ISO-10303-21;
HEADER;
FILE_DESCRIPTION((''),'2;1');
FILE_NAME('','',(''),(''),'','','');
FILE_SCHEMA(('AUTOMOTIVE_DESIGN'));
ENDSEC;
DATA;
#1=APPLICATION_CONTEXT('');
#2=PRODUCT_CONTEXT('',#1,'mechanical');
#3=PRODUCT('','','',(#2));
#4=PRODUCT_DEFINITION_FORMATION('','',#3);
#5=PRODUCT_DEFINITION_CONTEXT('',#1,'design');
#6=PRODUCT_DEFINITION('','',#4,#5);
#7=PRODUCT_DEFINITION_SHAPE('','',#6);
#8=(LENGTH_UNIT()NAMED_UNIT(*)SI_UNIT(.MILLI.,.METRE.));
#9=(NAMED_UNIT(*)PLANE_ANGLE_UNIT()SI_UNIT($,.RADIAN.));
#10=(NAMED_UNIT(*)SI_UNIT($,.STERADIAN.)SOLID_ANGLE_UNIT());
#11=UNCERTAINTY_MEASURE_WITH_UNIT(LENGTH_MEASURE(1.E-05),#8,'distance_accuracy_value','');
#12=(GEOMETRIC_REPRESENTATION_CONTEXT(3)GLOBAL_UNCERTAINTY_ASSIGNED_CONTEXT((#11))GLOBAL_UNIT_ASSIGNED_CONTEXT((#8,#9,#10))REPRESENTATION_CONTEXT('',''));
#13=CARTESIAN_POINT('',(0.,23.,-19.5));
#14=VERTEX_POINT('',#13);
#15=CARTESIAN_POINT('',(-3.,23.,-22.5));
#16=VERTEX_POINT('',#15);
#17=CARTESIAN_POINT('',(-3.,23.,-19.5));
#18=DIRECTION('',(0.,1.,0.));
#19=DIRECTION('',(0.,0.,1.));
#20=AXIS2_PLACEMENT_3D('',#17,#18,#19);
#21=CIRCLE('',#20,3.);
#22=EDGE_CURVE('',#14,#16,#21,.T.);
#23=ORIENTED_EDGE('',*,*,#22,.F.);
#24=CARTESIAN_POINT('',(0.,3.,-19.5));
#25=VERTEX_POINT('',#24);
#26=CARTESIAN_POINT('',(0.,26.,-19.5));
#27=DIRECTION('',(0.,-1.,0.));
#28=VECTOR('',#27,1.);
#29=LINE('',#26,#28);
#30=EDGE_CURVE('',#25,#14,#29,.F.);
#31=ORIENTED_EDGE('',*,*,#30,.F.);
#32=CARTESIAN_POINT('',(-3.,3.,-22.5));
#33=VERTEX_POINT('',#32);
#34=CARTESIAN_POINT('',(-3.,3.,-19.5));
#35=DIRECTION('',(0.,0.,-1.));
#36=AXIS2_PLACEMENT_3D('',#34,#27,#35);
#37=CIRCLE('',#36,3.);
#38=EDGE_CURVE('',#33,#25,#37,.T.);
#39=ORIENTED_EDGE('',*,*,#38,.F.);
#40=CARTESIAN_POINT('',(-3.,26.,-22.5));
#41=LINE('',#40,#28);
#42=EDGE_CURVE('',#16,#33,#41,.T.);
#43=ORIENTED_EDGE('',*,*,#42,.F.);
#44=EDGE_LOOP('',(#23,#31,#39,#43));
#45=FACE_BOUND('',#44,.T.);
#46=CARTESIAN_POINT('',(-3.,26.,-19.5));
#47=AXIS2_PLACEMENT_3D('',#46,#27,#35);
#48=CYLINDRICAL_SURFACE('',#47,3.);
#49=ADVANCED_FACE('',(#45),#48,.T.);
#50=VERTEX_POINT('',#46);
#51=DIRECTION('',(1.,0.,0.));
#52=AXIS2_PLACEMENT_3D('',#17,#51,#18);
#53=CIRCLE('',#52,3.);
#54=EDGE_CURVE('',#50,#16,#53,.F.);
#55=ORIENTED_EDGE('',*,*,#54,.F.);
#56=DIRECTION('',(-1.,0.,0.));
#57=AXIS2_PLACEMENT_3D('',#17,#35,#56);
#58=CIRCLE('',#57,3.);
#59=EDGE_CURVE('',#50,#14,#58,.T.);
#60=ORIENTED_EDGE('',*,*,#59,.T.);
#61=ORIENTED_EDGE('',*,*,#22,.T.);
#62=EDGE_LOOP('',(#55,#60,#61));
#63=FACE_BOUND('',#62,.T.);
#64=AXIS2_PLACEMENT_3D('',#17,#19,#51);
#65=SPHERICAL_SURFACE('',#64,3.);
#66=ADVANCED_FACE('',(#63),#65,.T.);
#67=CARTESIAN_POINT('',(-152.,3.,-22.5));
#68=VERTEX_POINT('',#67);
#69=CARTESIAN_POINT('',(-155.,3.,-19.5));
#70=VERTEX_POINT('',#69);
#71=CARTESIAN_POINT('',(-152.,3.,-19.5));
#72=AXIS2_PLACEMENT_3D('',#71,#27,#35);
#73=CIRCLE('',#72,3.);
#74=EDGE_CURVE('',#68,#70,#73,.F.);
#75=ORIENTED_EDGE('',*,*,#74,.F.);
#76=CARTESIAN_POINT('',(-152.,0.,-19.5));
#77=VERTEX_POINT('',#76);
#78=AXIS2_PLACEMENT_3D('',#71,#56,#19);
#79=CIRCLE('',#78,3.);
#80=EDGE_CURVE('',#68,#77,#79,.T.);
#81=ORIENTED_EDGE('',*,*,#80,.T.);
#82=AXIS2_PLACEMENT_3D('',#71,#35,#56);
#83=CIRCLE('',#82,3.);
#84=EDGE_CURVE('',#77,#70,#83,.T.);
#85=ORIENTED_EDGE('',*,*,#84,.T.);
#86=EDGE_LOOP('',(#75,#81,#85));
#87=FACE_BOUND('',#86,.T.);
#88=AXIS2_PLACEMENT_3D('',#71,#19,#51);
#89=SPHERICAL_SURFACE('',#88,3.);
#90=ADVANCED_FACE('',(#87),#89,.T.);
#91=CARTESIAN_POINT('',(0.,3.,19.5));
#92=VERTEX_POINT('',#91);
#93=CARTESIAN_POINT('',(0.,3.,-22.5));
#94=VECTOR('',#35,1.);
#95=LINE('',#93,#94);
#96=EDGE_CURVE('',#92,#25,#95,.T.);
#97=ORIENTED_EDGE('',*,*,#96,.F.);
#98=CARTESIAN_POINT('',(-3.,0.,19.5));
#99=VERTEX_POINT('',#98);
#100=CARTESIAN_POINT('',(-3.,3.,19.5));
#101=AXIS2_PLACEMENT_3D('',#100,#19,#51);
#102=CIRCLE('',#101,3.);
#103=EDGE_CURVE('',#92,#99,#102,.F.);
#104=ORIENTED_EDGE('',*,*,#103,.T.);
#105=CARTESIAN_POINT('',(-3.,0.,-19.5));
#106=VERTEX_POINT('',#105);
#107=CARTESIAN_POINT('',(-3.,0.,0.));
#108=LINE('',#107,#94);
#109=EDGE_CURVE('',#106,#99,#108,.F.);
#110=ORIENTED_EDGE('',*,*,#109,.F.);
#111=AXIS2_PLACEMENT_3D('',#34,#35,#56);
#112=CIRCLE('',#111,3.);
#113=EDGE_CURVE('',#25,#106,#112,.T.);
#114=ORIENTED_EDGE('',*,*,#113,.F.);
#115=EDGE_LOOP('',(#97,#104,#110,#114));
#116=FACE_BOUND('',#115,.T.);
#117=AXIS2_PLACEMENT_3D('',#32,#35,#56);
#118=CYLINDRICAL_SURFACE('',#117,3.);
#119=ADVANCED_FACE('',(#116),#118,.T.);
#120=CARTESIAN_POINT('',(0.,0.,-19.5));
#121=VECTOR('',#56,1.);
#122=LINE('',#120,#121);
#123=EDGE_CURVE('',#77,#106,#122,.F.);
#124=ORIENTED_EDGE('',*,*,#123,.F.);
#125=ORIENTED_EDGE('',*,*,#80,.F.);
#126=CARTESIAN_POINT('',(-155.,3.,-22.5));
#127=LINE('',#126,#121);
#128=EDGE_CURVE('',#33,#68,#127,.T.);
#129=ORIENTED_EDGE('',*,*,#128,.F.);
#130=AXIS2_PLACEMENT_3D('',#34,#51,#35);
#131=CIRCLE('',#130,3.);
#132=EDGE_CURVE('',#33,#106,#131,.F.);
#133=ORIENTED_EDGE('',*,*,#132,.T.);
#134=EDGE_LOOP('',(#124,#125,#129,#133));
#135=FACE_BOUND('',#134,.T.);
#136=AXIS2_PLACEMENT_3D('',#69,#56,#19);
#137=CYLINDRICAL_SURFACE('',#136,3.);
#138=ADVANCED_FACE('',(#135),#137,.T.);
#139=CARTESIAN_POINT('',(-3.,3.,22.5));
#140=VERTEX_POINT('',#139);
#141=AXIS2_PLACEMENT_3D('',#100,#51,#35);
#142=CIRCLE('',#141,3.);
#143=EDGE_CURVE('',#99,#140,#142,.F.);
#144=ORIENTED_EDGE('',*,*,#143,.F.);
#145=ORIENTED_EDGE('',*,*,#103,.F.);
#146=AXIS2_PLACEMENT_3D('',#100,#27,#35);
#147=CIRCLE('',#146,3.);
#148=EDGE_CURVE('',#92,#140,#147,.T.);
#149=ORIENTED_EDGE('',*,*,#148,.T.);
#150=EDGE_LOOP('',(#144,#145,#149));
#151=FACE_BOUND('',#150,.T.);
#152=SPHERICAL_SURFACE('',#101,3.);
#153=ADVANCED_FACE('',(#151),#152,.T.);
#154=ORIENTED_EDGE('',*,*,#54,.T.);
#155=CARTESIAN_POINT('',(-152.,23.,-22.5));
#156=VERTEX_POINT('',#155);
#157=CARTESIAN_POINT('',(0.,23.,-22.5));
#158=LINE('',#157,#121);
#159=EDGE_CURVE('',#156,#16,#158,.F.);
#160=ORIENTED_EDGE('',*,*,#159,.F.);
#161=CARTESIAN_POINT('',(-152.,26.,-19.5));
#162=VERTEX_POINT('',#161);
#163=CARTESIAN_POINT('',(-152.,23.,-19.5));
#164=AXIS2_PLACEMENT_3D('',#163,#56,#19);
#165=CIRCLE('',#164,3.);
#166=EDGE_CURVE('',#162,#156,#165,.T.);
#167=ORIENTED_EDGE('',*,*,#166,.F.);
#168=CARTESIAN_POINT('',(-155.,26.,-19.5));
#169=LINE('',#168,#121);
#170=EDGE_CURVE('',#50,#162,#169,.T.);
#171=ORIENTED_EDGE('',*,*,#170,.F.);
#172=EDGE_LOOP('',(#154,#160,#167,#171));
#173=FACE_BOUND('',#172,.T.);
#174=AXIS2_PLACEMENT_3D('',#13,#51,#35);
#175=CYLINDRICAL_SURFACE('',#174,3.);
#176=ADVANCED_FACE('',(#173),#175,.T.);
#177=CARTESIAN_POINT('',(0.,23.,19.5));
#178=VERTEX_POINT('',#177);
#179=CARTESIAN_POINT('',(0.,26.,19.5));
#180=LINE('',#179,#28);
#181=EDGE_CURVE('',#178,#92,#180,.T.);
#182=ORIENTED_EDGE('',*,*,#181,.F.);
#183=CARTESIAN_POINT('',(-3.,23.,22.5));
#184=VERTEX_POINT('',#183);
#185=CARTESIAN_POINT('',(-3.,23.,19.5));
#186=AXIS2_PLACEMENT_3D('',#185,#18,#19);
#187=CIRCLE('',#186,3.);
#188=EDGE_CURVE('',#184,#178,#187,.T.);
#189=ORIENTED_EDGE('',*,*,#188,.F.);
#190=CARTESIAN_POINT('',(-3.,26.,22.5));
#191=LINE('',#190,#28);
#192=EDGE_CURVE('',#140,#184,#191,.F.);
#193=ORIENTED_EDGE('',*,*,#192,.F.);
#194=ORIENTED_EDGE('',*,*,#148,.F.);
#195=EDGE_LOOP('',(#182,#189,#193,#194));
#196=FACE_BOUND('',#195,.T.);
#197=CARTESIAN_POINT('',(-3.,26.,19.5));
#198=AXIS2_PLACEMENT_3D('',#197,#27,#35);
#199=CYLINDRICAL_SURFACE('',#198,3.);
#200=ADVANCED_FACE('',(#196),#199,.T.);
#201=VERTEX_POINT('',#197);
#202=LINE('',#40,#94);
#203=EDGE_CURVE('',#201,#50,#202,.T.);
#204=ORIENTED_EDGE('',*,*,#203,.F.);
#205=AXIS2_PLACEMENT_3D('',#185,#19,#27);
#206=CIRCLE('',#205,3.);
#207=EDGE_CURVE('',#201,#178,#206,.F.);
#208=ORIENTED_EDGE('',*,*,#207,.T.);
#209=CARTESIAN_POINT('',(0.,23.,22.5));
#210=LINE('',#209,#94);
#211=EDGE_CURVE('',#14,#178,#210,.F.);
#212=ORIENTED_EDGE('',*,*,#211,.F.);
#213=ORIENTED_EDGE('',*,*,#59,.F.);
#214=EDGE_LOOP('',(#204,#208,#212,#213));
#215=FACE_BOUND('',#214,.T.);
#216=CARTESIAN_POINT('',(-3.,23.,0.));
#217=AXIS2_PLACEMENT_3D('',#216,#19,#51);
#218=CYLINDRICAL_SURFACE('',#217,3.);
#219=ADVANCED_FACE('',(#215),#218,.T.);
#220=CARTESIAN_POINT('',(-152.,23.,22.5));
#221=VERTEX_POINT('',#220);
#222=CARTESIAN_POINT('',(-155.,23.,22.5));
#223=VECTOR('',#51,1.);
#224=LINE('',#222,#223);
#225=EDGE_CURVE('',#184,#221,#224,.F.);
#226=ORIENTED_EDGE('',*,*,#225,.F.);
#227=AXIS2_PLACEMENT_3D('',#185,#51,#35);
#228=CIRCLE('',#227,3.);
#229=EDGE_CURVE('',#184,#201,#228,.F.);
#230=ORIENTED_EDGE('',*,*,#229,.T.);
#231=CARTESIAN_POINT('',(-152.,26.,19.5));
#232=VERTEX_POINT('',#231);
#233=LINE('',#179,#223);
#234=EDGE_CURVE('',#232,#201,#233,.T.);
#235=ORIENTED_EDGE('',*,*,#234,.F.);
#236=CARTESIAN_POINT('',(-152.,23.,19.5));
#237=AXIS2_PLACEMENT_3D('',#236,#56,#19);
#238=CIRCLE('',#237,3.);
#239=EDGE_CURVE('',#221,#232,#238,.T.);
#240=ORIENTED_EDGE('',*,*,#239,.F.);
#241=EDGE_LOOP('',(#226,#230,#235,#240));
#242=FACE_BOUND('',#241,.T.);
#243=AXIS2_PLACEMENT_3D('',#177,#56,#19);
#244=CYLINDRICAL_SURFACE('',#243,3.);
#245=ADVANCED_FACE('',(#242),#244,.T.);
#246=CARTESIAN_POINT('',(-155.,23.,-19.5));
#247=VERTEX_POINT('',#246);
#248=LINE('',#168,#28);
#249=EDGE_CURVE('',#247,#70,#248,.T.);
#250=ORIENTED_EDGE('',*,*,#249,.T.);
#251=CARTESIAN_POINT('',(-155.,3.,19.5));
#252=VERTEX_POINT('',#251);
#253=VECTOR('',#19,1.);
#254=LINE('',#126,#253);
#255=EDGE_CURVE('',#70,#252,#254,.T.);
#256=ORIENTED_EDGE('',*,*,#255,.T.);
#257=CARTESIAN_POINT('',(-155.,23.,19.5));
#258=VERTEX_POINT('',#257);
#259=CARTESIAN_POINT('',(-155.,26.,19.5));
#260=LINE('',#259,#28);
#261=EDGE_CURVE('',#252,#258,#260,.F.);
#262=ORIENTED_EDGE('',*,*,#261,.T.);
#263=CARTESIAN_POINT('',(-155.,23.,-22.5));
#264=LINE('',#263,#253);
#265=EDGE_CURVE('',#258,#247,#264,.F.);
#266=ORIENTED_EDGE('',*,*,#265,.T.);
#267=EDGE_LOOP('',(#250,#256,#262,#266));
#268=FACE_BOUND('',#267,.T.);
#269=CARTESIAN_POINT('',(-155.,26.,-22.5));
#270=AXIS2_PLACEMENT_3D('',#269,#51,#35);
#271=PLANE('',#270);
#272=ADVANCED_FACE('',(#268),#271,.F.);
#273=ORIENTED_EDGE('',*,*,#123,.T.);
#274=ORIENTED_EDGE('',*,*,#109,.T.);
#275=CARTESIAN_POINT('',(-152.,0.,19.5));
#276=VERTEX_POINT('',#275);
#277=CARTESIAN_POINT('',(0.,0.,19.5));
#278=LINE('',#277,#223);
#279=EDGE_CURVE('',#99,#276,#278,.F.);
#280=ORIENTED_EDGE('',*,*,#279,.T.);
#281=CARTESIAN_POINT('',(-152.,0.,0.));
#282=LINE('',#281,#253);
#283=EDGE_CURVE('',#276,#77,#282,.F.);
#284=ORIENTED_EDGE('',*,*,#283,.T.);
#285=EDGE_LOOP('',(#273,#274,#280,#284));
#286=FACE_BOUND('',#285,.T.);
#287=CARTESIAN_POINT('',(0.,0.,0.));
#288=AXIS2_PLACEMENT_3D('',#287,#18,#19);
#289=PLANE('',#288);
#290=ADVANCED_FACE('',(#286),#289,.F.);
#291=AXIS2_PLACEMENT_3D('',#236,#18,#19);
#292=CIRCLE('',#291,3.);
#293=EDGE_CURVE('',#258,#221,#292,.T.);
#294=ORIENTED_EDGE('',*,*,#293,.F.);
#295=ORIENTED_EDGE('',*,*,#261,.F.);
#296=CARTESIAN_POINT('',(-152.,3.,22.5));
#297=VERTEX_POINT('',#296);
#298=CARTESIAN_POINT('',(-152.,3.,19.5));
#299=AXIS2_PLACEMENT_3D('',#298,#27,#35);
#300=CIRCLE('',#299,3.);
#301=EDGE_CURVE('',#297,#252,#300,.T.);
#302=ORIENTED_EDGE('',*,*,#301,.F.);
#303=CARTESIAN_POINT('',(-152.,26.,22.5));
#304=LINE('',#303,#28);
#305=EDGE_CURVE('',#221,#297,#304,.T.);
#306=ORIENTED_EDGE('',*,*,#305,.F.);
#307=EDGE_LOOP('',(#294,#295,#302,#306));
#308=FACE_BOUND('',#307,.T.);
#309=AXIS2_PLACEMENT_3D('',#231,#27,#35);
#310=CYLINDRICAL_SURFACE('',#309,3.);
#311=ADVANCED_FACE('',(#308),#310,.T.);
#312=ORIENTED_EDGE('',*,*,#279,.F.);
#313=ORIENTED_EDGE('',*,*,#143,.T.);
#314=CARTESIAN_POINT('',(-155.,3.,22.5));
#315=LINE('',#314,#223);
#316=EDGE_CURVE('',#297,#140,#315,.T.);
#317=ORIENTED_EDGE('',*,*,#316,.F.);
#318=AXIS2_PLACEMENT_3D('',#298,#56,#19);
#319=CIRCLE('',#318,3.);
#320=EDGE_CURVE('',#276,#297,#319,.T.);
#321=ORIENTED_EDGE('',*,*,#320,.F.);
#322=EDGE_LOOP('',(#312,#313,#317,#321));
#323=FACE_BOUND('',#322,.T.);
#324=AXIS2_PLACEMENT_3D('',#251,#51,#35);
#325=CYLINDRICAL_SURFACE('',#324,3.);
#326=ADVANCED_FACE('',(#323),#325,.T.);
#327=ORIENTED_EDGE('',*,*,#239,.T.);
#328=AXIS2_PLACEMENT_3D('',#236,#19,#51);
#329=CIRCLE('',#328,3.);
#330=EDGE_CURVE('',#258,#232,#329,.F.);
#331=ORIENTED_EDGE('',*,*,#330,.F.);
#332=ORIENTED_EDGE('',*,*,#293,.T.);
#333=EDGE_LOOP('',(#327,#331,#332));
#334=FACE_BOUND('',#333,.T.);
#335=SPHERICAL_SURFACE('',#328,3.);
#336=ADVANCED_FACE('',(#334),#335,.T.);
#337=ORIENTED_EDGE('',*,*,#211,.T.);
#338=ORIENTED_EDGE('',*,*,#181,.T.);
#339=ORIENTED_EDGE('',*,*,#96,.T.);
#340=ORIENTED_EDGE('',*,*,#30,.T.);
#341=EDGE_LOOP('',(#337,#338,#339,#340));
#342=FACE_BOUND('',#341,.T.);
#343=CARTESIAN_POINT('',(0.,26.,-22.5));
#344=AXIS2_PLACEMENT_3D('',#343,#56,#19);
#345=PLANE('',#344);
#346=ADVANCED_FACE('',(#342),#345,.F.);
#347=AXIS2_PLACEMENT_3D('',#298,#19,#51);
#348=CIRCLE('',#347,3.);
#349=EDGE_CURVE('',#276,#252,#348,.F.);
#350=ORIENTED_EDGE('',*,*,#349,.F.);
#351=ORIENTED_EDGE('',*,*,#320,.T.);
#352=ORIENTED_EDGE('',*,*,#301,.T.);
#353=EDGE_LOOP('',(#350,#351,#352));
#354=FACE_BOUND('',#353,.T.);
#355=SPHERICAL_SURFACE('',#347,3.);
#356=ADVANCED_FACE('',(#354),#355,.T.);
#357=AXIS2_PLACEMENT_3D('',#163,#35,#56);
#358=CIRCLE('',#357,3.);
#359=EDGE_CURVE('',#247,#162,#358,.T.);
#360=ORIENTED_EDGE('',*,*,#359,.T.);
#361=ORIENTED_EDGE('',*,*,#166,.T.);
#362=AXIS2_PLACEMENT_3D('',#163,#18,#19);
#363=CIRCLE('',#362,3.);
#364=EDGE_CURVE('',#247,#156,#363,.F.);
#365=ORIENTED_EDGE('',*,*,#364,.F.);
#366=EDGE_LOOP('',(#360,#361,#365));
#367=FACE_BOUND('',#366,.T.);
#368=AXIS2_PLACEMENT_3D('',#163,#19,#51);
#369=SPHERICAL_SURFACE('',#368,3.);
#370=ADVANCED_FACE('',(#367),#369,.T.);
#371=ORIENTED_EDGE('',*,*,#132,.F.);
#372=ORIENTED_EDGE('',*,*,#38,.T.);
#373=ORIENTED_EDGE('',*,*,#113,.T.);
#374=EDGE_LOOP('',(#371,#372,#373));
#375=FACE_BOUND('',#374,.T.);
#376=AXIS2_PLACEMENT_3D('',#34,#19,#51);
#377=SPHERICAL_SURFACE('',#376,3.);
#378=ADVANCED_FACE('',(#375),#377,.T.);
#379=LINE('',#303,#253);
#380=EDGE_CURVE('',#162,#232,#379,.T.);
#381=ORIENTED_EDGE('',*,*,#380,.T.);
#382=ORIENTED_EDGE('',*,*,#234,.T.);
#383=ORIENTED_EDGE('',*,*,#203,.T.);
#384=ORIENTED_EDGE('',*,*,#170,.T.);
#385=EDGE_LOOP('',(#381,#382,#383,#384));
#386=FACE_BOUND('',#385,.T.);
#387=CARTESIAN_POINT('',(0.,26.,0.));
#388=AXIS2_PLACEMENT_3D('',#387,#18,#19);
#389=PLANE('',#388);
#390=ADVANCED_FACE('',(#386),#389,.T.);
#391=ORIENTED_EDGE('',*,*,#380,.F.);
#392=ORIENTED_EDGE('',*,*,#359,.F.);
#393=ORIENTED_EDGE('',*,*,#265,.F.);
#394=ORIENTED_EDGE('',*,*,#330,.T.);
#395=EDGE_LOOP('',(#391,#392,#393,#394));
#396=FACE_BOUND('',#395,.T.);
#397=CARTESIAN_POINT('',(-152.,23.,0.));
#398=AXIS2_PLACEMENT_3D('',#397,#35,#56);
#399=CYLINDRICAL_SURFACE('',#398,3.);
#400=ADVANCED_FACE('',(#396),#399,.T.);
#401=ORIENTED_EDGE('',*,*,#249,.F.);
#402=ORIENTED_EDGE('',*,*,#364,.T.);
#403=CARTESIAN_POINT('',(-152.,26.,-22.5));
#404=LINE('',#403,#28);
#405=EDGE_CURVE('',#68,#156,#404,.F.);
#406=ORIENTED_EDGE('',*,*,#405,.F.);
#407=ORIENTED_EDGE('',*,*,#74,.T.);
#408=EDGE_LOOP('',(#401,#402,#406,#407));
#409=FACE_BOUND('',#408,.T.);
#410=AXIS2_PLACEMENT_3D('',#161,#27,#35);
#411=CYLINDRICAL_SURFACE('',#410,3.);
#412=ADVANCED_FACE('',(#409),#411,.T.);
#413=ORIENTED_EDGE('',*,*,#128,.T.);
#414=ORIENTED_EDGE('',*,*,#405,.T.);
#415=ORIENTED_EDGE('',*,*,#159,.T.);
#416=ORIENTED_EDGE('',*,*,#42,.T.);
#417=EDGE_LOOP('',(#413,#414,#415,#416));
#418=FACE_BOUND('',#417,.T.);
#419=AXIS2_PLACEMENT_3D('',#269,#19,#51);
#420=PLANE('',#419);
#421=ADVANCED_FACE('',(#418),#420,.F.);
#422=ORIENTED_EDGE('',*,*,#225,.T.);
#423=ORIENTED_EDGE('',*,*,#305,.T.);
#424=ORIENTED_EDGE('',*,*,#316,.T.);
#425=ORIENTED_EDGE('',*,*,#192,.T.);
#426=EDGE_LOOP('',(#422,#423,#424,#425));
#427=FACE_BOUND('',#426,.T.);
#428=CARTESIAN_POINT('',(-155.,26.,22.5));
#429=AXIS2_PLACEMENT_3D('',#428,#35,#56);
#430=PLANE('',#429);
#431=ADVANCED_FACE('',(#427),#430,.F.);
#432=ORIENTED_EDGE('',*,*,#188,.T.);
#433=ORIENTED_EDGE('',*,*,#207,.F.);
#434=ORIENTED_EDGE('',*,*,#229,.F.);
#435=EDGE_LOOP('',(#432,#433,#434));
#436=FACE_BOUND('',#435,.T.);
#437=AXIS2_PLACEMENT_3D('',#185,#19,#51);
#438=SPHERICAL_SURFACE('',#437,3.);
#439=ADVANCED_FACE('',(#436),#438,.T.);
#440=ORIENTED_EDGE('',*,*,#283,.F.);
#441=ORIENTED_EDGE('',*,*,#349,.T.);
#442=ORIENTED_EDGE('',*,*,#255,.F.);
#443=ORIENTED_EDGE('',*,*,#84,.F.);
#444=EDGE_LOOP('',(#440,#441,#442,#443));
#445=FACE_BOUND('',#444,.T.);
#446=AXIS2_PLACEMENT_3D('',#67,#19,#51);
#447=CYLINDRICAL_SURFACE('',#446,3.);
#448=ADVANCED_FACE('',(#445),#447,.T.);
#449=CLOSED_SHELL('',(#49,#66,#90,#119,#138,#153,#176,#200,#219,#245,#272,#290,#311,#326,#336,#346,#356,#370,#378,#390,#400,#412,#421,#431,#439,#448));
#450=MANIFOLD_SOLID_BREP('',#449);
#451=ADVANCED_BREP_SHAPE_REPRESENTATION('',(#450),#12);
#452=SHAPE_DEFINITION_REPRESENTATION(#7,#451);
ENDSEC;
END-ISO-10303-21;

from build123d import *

# Parameters (mm, degrees)
ESQUISSE1_W        = 155
ESQUISSE1_H        = 45
BOSS_EXTRU_1_DEPTH = 26
CONG_1_R           = 3


with BuildPart() as part:
    # Esquisse1 → Boss.-Extru.1 (new body)
    with BuildSketch(Plane(origin=(0, 0, 0), x_dir=(1, 0, 0), z_dir=(0, 1, 0))):
        with Locations((-77.5, 0)):
            Rectangle(ESQUISSE1_W, ESQUISSE1_H)
    extrude(amount=BOSS_EXTRU_1_DEPTH)

    # Congé1
    cong_1_edges = [part.edges().sort_by_distance(p)[0] for p in [
        (0, 26, 0),
        (-77.5, 26, -22.5),
        (-155, 26, 0),
        (-77.5, 0, -22.5),
        (0, 0, 0),
        (-77.5, 0, 22.5),
        (-155, 0, 0),
        (-77.5, 26, 22.5),
        (-155, 13, -22.5),
        (0, 13, -22.5),
        (0, 13, 22.5),
        (-155, 13, 22.5),
    ]]
    fillet(cong_1_edges, radius=CONG_1_R)


solid = part.part
